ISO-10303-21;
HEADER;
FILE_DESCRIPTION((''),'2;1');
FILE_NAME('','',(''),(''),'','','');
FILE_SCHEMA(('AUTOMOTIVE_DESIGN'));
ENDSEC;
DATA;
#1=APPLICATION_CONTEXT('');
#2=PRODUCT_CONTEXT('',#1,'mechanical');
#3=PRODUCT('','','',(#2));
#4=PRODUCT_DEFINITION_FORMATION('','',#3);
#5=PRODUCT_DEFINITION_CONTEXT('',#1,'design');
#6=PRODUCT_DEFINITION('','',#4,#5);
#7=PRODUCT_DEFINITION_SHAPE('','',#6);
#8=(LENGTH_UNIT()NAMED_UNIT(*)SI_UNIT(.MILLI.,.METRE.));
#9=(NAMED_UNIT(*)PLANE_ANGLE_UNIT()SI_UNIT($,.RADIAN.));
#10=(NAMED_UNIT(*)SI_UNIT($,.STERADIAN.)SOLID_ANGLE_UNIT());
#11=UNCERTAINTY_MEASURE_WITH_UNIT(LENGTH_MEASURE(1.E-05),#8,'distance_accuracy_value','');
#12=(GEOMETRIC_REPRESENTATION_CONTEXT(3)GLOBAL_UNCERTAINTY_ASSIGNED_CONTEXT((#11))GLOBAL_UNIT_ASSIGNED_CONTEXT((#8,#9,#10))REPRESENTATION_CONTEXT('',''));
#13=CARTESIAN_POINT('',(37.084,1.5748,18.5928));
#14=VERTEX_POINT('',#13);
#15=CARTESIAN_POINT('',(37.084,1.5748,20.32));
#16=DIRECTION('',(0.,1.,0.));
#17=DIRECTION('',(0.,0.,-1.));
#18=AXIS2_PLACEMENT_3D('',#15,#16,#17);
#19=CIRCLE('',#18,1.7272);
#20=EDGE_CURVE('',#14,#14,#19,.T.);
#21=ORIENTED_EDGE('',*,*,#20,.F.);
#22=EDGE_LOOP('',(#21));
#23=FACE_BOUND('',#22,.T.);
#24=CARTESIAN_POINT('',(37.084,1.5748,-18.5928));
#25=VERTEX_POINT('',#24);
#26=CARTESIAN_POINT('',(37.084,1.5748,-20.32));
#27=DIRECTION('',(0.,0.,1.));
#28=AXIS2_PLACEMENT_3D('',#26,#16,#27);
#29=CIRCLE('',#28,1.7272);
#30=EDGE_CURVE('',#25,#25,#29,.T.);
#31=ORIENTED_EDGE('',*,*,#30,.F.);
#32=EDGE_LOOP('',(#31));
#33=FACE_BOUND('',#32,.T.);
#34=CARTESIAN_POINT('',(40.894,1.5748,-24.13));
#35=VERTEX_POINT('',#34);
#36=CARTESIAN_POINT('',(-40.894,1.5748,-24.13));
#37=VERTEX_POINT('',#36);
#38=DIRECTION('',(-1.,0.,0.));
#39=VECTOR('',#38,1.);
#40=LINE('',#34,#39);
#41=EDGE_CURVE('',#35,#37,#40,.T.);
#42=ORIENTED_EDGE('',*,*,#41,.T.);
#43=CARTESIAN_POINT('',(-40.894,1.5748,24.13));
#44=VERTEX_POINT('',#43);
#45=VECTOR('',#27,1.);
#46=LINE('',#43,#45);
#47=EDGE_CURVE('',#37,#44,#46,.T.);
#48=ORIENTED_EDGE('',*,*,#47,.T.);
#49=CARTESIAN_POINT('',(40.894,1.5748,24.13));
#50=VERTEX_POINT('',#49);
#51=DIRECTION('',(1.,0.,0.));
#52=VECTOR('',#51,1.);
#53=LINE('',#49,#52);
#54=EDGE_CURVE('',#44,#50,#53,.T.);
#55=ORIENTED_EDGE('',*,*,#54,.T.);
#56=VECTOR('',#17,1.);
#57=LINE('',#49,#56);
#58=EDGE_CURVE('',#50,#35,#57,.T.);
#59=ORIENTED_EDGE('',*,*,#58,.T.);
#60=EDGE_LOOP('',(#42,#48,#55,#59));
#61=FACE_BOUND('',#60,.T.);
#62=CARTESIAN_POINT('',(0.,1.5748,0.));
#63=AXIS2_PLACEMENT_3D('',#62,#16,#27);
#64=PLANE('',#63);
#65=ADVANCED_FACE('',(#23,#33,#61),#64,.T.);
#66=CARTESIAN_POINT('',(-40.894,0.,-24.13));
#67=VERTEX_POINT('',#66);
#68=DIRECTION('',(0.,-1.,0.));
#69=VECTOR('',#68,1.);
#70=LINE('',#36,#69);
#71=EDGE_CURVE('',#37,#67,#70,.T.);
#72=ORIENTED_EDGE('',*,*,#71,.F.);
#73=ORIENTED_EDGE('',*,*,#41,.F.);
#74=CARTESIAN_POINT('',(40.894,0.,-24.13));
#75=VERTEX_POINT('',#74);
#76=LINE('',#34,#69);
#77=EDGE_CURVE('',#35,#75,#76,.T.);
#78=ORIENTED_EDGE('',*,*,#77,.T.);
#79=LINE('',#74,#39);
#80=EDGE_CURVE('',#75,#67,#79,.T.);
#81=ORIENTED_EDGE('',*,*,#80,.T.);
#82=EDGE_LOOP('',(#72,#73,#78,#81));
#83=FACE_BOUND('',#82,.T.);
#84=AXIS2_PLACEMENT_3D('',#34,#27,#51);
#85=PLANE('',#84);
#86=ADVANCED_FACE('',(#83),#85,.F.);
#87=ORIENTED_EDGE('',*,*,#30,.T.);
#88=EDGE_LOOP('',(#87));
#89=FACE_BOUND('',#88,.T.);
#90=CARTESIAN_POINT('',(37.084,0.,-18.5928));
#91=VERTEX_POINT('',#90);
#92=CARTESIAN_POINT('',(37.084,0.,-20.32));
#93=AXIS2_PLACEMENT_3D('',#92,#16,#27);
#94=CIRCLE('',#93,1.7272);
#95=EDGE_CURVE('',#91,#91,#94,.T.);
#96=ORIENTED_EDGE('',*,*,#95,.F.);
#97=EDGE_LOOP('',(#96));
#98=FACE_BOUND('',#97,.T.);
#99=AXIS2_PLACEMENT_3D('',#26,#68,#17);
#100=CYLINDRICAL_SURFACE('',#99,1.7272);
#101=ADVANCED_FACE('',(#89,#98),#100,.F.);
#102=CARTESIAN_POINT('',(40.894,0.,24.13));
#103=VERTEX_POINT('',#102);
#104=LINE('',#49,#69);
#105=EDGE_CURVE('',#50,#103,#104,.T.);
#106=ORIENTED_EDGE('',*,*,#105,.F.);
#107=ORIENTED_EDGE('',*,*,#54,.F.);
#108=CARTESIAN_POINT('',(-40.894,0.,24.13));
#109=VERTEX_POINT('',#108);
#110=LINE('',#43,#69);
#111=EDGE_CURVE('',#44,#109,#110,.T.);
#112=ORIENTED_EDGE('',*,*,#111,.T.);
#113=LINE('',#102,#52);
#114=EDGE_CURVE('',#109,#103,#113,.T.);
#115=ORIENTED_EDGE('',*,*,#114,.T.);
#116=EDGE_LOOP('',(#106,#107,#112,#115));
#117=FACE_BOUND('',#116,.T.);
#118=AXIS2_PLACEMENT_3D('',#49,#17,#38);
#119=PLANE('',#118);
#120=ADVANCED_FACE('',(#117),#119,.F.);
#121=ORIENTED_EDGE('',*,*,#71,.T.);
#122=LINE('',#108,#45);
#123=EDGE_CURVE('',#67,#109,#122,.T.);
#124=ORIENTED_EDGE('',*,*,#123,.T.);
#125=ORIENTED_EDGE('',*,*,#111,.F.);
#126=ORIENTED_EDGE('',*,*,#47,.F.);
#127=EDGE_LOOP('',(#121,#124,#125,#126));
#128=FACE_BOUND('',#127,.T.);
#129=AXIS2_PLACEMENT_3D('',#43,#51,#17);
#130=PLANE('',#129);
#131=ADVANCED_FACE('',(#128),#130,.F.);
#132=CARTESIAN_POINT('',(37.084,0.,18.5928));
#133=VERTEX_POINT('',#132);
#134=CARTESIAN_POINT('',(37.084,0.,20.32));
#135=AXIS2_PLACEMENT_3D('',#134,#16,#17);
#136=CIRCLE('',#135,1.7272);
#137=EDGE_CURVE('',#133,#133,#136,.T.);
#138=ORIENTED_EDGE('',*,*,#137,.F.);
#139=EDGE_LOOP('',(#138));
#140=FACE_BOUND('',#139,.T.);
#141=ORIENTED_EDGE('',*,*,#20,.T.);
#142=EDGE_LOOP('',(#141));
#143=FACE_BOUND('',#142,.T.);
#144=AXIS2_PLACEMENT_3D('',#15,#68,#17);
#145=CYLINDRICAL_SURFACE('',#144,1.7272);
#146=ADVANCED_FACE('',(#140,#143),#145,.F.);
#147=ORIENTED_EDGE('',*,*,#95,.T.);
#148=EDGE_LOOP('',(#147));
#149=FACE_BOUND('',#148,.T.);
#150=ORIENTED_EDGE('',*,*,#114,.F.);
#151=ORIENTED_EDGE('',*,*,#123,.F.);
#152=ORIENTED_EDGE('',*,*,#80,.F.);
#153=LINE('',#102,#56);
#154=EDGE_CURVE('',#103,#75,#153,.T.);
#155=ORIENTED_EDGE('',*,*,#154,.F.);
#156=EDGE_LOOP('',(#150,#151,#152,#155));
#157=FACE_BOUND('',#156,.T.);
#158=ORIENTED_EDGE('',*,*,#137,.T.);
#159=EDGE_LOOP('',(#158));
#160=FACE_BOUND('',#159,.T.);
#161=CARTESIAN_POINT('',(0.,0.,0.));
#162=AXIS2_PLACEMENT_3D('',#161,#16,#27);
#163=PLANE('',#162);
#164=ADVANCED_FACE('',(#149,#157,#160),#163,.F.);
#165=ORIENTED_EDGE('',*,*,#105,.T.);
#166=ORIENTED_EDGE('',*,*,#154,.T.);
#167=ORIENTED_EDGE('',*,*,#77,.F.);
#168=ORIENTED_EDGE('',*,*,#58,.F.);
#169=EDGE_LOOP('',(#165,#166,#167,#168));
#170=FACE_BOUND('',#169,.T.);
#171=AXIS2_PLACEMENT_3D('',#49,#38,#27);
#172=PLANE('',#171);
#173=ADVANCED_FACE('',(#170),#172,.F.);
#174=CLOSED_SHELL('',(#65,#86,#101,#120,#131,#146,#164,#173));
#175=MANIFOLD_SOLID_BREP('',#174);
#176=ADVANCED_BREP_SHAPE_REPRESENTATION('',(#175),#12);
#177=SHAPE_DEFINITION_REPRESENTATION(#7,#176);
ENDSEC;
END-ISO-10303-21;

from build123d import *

# Parameters (mm, degrees)
SKETCH1_W           = 81.788
SKETCH1_H           = 48.26
SKETCH1_R           = 1.7272
BOSS_EXTRUDE1_DEPTH = 1.5748


with BuildPart() as part:
    # Sketch1 → Boss-Extrude1 (new body)
    with BuildSketch(Plane(origin=(0, 0, 0), x_dir=(1, 0, 0), z_dir=(0, 1, 0))):
        Rectangle(SKETCH1_W, SKETCH1_H)
        with Locations(Location((37.084, 20.32, 0), (0, 0, 270))):
            Circle(SKETCH1_R, mode=Mode.SUBTRACT)
        with Locations(Location((37.084, -20.32, 0), (0, 0, 90))):
            Circle(SKETCH1_R, mode=Mode.SUBTRACT)
    extrude(amount=BOSS_EXTRUDE1_DEPTH)


solid = part.part
